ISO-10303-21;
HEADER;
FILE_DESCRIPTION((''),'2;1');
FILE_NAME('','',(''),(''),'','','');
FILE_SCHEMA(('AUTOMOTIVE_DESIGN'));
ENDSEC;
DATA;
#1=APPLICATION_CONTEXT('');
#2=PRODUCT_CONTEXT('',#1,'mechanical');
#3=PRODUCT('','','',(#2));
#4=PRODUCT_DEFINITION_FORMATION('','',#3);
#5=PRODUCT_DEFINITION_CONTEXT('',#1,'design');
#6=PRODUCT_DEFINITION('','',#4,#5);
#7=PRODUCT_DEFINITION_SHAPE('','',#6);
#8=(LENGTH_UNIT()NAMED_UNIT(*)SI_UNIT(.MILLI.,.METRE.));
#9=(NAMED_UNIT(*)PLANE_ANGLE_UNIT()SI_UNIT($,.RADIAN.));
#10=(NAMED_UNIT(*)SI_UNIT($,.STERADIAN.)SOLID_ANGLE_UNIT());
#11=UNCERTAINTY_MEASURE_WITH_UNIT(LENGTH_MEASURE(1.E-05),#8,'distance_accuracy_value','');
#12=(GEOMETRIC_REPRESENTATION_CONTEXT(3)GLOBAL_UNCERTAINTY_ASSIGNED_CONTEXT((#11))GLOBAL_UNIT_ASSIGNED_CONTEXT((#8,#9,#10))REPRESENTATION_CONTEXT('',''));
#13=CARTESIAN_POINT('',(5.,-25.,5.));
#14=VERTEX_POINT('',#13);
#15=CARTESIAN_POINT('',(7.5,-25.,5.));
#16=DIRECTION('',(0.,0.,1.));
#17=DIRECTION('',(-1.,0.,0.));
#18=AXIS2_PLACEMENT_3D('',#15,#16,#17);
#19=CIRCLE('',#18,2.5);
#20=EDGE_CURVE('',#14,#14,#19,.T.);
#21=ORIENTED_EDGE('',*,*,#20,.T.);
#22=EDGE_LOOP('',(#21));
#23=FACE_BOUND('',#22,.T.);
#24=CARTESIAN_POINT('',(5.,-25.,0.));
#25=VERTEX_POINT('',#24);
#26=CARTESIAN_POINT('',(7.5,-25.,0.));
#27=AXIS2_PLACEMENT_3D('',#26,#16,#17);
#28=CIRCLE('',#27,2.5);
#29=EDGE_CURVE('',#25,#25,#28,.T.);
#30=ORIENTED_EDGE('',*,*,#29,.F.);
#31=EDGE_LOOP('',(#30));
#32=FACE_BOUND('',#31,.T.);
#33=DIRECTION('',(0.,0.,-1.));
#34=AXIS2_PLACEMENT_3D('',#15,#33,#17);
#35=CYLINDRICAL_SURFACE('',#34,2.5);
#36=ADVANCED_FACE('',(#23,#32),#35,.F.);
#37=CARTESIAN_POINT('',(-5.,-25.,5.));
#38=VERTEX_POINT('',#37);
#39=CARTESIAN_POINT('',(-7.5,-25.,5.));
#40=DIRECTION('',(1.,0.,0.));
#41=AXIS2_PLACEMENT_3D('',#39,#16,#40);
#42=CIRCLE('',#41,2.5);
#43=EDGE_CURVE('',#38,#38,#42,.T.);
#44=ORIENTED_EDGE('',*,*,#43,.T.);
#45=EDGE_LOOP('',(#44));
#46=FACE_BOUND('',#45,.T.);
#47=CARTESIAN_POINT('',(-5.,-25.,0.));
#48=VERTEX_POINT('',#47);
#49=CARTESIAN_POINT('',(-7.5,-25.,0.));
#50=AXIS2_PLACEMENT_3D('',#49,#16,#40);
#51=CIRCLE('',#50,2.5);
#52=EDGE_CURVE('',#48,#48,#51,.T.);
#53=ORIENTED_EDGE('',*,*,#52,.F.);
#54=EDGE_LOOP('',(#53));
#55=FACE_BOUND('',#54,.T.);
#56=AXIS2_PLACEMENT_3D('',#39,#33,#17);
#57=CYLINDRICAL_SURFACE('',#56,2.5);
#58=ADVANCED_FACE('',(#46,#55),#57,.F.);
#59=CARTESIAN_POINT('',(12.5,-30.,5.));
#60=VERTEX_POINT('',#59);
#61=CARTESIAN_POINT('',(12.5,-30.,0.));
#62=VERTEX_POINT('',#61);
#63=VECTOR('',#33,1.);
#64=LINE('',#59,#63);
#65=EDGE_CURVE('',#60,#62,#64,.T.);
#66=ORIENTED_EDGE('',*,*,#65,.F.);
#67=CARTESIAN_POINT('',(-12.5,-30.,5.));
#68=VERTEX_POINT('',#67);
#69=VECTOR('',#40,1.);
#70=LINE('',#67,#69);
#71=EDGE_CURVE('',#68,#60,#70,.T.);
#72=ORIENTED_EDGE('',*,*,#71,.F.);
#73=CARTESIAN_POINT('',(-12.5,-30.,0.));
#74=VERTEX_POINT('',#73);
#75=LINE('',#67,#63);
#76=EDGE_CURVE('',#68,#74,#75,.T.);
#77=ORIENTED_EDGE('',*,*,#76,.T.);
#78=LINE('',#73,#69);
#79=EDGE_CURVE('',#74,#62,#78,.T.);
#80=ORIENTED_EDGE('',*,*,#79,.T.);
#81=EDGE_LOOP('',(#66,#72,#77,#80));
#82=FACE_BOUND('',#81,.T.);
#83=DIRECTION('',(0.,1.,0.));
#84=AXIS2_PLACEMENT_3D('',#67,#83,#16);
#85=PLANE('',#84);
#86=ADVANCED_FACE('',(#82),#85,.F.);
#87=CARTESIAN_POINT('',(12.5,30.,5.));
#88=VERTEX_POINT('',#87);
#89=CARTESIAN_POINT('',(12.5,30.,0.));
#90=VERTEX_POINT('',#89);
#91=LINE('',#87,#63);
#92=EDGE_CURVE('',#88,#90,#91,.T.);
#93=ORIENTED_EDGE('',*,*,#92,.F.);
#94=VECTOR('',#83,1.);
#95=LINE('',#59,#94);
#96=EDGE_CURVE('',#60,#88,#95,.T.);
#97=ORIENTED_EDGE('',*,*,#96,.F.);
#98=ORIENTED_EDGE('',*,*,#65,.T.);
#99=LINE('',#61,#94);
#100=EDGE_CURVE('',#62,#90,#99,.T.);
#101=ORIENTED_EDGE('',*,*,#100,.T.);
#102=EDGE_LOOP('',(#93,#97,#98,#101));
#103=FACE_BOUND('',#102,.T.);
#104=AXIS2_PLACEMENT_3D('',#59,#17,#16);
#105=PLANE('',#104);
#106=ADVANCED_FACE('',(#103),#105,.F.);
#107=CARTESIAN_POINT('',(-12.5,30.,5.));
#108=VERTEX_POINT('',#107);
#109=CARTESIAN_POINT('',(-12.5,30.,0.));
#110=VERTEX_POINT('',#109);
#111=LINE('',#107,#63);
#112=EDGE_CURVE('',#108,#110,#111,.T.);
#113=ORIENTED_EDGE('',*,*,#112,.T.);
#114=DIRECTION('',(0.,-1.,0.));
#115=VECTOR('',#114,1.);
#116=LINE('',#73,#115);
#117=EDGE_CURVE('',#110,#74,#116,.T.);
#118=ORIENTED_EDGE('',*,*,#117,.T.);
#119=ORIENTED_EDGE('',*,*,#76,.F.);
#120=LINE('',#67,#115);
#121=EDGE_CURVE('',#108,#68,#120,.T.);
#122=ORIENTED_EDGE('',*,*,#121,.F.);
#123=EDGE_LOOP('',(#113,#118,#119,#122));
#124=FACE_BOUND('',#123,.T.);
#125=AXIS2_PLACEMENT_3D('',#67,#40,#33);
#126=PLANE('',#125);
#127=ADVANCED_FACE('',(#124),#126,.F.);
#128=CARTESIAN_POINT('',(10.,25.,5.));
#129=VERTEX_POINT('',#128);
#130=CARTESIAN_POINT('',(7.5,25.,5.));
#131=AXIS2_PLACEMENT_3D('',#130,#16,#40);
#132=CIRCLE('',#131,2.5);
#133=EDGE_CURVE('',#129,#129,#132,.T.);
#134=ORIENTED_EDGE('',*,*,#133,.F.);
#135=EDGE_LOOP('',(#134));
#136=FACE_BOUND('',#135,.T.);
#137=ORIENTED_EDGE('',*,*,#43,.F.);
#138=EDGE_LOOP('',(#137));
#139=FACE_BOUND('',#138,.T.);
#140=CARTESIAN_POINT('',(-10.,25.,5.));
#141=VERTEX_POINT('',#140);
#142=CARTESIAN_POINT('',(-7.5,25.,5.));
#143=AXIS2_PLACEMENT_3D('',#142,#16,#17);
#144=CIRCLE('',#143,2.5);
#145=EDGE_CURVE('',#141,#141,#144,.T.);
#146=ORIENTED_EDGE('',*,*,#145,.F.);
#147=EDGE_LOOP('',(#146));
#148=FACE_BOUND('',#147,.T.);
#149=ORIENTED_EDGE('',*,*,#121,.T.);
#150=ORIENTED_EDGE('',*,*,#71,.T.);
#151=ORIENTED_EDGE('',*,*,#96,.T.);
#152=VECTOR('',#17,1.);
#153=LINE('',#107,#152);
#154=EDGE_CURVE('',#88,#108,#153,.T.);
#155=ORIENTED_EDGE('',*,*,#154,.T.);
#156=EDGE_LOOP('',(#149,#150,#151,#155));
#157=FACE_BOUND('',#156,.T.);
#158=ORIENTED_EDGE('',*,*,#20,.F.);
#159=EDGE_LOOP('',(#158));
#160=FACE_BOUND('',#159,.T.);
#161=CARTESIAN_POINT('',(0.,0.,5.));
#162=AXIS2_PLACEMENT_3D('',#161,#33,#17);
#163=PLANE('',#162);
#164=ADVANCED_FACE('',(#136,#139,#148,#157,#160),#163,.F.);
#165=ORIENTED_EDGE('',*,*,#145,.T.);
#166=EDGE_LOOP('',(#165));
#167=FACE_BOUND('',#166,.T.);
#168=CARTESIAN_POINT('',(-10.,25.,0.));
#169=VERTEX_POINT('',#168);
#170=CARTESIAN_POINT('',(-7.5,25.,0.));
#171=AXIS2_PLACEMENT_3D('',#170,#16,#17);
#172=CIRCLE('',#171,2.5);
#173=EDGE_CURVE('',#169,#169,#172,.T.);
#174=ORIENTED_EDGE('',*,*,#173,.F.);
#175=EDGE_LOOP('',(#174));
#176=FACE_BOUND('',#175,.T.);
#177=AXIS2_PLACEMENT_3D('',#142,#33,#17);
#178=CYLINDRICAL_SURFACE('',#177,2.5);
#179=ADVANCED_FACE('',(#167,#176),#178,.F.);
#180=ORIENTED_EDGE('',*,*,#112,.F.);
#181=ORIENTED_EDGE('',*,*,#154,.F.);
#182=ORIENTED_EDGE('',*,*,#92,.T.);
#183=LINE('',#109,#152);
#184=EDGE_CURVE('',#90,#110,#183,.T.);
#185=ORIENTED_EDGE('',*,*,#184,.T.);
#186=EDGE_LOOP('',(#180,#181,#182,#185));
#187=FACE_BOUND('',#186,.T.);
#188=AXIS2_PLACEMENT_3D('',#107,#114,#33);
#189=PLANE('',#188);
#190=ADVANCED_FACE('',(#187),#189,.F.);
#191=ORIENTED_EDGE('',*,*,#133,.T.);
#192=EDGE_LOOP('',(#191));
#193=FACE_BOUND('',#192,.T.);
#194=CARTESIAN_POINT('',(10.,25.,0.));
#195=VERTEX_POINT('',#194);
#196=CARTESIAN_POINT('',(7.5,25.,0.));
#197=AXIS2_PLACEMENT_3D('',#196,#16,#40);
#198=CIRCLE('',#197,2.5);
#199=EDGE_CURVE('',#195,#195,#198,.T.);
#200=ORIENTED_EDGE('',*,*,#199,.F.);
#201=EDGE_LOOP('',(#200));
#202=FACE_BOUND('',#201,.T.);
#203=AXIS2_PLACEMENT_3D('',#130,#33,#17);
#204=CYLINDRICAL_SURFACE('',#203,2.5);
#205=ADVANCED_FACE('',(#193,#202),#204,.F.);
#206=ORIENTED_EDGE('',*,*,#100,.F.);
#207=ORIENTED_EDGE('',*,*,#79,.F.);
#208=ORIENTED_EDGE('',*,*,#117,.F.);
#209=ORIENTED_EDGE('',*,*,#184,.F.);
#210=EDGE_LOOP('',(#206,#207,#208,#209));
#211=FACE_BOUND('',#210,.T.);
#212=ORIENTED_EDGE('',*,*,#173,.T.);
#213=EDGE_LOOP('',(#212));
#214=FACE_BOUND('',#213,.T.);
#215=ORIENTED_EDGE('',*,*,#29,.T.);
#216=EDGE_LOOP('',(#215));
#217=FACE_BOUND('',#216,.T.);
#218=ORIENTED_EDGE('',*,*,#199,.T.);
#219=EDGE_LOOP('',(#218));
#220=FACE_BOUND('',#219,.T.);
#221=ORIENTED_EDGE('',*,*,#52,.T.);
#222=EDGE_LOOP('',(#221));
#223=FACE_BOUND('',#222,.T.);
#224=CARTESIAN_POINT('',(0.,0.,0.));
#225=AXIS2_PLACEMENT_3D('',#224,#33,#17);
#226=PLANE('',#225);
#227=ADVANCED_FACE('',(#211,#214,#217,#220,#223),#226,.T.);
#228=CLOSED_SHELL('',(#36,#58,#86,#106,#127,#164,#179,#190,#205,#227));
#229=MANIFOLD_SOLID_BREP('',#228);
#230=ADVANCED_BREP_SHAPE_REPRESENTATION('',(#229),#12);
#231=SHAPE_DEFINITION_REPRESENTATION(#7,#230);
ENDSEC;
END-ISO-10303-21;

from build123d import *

# Parameters (mm, degrees)
SKETCH1_W           = 25
SKETCH1_H           = 60
SKETCH1_R           = 2.5
BOSS_EXTRUDE1_DEPTH = 5


with BuildPart() as part:
    # Sketch1 → Boss-Extrude1 (new body)
    with BuildSketch(Plane.XY):
        Rectangle(SKETCH1_W, SKETCH1_H)
        with Locations((7.5, 25)):
            Circle(SKETCH1_R, mode=Mode.SUBTRACT)
        with Locations(Location((-7.5, 25, 0), (0, 0, 180))):
            Circle(SKETCH1_R, mode=Mode.SUBTRACT)
        with Locations(Location((7.5, -25, 0), (0, 0, 180))):
            Circle(SKETCH1_R, mode=Mode.SUBTRACT)
        with Locations((-7.5, -25)):
            Circle(SKETCH1_R, mode=Mode.SUBTRACT)
    extrude(amount=BOSS_EXTRUDE1_DEPTH)


solid = part.part
